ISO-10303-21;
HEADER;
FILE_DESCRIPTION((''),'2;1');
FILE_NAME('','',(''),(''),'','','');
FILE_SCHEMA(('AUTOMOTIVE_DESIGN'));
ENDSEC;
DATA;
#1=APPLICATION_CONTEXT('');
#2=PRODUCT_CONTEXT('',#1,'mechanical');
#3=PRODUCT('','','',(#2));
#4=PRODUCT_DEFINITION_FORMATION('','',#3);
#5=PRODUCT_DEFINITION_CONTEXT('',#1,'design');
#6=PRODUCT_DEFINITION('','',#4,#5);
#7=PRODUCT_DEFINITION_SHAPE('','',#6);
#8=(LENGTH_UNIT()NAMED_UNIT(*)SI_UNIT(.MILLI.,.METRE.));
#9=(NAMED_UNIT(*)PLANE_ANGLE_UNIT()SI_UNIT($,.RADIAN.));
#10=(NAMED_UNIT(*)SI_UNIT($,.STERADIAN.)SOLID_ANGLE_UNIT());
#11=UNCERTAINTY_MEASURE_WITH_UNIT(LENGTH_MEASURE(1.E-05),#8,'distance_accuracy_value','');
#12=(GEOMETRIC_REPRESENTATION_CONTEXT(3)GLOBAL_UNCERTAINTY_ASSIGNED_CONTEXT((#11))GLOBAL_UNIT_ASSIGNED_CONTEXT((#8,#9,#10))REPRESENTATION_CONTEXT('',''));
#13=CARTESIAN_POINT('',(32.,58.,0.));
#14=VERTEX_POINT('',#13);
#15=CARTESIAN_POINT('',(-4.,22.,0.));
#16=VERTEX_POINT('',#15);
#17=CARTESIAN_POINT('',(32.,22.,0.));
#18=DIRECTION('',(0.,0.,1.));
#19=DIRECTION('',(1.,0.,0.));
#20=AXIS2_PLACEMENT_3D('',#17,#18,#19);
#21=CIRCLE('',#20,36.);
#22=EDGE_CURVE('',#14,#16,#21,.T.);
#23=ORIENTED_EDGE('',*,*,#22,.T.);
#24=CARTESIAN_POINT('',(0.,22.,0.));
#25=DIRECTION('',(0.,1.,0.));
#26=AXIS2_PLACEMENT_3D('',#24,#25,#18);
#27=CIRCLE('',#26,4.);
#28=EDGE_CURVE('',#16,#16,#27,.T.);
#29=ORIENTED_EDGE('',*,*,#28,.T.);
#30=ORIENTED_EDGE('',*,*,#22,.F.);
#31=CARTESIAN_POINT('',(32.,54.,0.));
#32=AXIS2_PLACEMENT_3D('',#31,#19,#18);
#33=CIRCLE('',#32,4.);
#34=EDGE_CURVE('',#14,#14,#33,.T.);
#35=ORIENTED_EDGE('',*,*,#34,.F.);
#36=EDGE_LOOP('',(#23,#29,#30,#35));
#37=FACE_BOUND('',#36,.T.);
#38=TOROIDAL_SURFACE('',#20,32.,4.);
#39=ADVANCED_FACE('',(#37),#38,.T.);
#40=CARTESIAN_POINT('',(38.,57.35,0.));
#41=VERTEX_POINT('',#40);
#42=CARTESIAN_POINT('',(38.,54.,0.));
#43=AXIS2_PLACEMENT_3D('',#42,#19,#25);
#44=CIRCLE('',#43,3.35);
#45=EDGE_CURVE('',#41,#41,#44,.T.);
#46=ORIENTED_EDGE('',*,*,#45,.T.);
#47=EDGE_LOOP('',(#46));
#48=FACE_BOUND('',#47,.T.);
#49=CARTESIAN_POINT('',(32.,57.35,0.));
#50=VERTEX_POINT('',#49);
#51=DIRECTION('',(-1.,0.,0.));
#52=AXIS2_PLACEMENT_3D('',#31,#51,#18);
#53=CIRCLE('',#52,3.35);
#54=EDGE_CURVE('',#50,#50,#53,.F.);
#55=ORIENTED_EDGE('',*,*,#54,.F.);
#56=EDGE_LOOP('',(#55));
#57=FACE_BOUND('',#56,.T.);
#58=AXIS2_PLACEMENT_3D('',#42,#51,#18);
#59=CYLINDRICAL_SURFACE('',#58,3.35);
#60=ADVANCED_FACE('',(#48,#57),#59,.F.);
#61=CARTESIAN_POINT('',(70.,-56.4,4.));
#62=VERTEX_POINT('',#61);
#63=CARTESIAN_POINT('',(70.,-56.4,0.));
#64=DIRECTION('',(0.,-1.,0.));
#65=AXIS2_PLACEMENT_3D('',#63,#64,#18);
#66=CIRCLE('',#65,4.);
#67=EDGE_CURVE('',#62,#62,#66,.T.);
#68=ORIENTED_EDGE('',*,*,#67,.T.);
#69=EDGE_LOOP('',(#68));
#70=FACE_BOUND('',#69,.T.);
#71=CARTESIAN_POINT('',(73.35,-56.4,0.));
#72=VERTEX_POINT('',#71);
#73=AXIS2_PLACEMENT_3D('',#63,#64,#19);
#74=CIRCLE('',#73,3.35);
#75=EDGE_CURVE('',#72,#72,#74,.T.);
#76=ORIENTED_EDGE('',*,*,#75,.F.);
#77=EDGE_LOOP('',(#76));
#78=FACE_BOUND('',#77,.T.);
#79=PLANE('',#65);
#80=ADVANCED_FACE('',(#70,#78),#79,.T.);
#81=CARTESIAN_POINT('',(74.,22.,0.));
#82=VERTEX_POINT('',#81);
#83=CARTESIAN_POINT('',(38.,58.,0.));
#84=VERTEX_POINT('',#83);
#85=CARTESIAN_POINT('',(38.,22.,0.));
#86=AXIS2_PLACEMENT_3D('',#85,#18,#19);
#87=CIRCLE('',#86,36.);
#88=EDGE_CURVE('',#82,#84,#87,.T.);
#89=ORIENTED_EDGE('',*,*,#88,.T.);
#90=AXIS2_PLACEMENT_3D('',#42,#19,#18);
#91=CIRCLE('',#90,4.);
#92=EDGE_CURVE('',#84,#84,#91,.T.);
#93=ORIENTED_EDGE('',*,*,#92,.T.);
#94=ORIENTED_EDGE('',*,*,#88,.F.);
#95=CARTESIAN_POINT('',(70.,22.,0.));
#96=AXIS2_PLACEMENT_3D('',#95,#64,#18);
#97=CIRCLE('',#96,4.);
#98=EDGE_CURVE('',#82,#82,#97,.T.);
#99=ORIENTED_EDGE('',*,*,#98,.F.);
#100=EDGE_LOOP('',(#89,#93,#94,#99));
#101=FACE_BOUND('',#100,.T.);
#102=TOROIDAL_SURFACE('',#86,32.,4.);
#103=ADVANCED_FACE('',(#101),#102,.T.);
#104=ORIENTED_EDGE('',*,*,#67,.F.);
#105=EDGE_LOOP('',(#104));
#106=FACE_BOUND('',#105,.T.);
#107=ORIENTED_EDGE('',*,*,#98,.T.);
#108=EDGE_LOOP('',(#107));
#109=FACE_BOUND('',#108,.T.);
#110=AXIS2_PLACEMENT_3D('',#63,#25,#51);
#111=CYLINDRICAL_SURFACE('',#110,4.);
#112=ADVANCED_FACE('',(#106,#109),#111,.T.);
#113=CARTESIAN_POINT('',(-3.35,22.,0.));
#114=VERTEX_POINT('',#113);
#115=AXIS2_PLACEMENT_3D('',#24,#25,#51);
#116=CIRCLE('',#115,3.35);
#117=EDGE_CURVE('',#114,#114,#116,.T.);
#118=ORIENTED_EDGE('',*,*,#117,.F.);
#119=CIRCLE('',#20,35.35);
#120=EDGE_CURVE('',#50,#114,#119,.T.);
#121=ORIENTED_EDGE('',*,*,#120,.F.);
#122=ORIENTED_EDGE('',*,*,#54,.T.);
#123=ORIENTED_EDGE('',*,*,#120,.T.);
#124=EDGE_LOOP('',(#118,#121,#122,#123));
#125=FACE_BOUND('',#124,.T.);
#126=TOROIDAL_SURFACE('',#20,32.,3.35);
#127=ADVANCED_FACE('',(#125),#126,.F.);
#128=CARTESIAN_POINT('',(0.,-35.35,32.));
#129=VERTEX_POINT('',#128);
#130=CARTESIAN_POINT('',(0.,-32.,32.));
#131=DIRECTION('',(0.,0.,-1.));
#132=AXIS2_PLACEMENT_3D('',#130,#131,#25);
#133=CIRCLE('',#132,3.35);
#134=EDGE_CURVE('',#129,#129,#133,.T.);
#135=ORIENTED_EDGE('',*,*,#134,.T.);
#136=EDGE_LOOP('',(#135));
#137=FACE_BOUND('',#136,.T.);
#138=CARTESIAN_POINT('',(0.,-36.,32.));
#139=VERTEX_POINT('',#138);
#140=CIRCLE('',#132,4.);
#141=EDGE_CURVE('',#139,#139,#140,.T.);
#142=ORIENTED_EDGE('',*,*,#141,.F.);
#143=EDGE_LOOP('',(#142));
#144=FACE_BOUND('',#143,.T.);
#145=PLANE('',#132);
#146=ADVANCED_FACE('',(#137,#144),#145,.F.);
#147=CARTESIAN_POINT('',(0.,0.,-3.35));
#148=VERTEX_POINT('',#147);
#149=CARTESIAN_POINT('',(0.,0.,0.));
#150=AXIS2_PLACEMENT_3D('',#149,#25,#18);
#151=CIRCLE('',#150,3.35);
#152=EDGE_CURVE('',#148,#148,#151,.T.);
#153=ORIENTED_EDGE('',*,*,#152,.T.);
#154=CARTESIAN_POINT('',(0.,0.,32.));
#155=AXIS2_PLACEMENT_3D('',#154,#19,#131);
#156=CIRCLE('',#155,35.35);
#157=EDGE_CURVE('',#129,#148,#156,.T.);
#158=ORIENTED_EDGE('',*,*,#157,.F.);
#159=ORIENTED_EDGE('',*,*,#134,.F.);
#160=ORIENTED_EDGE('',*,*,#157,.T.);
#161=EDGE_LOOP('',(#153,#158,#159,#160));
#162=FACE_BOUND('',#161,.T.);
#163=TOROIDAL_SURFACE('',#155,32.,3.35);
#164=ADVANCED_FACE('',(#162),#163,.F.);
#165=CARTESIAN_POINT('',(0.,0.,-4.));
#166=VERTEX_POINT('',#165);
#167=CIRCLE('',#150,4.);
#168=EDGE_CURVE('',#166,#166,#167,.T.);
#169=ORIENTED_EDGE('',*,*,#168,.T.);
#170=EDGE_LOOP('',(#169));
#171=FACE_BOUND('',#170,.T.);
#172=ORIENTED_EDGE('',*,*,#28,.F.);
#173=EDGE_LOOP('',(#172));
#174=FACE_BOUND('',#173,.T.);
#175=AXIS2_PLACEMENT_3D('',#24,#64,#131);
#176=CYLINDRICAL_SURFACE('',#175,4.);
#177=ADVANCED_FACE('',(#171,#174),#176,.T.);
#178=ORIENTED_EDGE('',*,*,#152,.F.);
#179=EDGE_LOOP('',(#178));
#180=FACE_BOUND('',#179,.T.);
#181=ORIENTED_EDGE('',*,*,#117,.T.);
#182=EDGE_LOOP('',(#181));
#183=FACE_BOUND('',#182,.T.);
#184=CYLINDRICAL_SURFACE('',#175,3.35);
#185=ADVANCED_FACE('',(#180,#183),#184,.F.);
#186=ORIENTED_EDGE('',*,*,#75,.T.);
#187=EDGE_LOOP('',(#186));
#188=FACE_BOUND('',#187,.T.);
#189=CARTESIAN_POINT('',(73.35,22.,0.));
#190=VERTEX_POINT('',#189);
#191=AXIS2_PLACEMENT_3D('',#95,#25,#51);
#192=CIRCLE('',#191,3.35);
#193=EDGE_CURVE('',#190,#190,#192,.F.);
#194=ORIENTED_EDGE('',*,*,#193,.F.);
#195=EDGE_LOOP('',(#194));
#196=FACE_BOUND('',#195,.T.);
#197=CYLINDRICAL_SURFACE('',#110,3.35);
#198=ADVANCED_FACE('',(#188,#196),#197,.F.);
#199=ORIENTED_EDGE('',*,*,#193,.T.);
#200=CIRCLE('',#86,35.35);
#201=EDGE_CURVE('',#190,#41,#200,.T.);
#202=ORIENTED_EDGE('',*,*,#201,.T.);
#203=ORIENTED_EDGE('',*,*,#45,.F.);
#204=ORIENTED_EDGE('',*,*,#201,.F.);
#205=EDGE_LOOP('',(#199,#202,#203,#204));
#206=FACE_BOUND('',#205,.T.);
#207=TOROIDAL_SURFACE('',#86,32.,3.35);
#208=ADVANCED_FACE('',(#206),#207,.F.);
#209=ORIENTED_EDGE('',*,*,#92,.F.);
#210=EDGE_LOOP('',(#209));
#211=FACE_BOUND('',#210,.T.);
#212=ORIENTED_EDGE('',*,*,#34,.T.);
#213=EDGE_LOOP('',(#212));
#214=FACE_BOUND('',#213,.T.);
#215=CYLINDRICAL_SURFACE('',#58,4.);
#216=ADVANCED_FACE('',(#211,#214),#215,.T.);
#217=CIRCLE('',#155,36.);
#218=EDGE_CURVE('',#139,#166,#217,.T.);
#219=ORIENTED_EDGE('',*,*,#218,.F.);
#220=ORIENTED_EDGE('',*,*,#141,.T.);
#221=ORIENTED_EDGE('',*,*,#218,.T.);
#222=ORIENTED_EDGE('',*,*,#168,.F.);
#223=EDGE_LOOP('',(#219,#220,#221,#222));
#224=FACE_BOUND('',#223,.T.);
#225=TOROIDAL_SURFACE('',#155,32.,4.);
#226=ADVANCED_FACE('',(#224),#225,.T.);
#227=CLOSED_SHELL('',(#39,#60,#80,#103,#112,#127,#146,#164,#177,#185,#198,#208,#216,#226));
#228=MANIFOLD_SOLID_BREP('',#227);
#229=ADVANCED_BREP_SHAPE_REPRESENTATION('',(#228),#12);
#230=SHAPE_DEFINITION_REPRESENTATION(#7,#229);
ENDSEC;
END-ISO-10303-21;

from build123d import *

# Parameters (mm, degrees)
SKETCH2_R     = 4
SKETCH2_R_2   = 3.35
SKETCH2_6_R   = 4
SKETCH2_6_R_2 = 3.35


with BuildPart() as part:
    # Sweep-Thin1: sweep along a path in Sketch1
    with BuildLine(Plane.XY) as sweep_thin1_path:
        Line((70, -56.4), (70, 22))
        ThreePointArc((70, 22), (60.627416998, 44.627416998), (38, 54))
        Line((38, 54), (32, 54))
        ThreePointArc((32, 54), (9.372583002, 44.627416998), (0, 22))
        Line((0, 22), (0, 0))
    # Sketch2 → Sweep-Thin1 (sweep)
    with BuildSketch(Plane(origin=(0, 0, 0), x_dir=(1, 0, 0), z_dir=(0, 1, 0))):
        Circle(SKETCH2_R)
        Circle(SKETCH2_R_2, mode=Mode.SUBTRACT)
    sweep(path=sweep_thin1_path.line)

    # Sweep-Thin2: sweep along a path in Sketch3
    with BuildLine(Plane(origin=(0, 0, 0), x_dir=(0, 0, -1), z_dir=(1, 0, 0))) as sweep_thin2_path:
        ThreePointArc((-32, -32), (-9.372583002, -22.627416998), (0, 0))
    # Sketch2<6> → Sweep-Thin2 (sweep)
    with BuildSketch(Plane(origin=(0, 0, 0), x_dir=(1, 0, 0), z_dir=(0, 1, 0))):
        Circle(SKETCH2_6_R)
        Circle(SKETCH2_6_R_2, mode=Mode.SUBTRACT)
    sweep(path=sweep_thin2_path.line)


solid = part.part
